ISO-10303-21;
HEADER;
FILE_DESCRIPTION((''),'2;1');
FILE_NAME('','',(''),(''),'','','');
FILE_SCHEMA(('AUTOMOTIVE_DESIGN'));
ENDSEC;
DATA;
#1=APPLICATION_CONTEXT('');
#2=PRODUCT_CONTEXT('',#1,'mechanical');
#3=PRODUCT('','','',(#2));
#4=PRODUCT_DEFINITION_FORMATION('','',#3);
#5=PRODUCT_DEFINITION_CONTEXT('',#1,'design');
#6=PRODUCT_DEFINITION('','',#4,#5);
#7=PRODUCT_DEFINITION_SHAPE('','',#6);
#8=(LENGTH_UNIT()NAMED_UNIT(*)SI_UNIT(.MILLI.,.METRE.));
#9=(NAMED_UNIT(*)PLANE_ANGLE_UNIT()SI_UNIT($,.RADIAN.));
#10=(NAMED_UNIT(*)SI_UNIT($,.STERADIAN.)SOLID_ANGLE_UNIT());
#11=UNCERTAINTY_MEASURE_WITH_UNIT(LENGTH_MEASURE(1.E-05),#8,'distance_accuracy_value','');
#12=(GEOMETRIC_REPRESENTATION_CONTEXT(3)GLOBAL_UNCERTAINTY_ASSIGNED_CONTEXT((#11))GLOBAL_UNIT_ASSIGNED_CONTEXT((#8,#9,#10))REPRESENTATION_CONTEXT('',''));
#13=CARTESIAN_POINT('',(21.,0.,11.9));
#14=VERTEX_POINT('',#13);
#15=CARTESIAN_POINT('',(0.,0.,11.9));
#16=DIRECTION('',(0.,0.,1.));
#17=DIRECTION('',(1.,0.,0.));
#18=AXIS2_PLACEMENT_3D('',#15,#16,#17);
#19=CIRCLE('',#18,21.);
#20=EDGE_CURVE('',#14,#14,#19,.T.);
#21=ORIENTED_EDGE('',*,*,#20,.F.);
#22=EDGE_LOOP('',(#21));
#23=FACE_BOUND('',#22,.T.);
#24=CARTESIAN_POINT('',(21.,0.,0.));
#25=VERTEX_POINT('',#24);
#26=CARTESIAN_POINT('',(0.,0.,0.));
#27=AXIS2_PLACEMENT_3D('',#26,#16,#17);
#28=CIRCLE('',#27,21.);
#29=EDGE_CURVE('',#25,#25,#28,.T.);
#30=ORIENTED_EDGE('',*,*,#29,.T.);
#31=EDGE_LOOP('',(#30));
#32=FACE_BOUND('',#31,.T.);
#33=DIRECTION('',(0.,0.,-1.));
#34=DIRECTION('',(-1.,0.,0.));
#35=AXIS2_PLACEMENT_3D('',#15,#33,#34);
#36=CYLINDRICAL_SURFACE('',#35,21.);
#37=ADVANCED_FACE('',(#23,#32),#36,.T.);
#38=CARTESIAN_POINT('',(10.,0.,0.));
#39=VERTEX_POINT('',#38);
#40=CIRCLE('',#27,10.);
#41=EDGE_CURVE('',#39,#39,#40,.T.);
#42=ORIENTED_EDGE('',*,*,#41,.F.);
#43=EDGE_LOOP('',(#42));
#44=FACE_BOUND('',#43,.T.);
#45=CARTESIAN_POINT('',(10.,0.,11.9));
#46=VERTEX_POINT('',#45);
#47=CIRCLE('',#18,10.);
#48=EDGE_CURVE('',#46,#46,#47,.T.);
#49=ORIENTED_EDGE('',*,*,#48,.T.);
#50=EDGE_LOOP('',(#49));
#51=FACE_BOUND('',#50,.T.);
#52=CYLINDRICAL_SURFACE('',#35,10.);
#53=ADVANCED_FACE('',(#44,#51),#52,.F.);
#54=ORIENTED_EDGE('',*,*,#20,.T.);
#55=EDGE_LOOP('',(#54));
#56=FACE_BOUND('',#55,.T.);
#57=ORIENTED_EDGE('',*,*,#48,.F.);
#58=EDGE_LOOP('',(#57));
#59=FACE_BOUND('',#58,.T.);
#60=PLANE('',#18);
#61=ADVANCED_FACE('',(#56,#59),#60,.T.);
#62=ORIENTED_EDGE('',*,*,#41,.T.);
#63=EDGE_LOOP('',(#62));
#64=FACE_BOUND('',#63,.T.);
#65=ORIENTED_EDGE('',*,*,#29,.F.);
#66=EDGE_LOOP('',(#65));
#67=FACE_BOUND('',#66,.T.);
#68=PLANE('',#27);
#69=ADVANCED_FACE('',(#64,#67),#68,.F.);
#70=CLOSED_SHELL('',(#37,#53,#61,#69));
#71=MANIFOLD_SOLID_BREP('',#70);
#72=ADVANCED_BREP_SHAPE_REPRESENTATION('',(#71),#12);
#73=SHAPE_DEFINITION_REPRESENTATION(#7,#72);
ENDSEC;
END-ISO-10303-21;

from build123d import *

# Parameters (mm, degrees)
CROQUIS1_R              = 21
CROQUIS1_R_2            = 10
SALIENTE_EXTRUIR1_DEPTH = 11.9


with BuildPart() as part:
    # Croquis1 → Saliente-Extruir1 (new body)
    with BuildSketch(Plane.XY):
        Circle(CROQUIS1_R)
        Circle(CROQUIS1_R_2, mode=Mode.SUBTRACT)
    extrude(amount=SALIENTE_EXTRUIR1_DEPTH)


solid = part.part
